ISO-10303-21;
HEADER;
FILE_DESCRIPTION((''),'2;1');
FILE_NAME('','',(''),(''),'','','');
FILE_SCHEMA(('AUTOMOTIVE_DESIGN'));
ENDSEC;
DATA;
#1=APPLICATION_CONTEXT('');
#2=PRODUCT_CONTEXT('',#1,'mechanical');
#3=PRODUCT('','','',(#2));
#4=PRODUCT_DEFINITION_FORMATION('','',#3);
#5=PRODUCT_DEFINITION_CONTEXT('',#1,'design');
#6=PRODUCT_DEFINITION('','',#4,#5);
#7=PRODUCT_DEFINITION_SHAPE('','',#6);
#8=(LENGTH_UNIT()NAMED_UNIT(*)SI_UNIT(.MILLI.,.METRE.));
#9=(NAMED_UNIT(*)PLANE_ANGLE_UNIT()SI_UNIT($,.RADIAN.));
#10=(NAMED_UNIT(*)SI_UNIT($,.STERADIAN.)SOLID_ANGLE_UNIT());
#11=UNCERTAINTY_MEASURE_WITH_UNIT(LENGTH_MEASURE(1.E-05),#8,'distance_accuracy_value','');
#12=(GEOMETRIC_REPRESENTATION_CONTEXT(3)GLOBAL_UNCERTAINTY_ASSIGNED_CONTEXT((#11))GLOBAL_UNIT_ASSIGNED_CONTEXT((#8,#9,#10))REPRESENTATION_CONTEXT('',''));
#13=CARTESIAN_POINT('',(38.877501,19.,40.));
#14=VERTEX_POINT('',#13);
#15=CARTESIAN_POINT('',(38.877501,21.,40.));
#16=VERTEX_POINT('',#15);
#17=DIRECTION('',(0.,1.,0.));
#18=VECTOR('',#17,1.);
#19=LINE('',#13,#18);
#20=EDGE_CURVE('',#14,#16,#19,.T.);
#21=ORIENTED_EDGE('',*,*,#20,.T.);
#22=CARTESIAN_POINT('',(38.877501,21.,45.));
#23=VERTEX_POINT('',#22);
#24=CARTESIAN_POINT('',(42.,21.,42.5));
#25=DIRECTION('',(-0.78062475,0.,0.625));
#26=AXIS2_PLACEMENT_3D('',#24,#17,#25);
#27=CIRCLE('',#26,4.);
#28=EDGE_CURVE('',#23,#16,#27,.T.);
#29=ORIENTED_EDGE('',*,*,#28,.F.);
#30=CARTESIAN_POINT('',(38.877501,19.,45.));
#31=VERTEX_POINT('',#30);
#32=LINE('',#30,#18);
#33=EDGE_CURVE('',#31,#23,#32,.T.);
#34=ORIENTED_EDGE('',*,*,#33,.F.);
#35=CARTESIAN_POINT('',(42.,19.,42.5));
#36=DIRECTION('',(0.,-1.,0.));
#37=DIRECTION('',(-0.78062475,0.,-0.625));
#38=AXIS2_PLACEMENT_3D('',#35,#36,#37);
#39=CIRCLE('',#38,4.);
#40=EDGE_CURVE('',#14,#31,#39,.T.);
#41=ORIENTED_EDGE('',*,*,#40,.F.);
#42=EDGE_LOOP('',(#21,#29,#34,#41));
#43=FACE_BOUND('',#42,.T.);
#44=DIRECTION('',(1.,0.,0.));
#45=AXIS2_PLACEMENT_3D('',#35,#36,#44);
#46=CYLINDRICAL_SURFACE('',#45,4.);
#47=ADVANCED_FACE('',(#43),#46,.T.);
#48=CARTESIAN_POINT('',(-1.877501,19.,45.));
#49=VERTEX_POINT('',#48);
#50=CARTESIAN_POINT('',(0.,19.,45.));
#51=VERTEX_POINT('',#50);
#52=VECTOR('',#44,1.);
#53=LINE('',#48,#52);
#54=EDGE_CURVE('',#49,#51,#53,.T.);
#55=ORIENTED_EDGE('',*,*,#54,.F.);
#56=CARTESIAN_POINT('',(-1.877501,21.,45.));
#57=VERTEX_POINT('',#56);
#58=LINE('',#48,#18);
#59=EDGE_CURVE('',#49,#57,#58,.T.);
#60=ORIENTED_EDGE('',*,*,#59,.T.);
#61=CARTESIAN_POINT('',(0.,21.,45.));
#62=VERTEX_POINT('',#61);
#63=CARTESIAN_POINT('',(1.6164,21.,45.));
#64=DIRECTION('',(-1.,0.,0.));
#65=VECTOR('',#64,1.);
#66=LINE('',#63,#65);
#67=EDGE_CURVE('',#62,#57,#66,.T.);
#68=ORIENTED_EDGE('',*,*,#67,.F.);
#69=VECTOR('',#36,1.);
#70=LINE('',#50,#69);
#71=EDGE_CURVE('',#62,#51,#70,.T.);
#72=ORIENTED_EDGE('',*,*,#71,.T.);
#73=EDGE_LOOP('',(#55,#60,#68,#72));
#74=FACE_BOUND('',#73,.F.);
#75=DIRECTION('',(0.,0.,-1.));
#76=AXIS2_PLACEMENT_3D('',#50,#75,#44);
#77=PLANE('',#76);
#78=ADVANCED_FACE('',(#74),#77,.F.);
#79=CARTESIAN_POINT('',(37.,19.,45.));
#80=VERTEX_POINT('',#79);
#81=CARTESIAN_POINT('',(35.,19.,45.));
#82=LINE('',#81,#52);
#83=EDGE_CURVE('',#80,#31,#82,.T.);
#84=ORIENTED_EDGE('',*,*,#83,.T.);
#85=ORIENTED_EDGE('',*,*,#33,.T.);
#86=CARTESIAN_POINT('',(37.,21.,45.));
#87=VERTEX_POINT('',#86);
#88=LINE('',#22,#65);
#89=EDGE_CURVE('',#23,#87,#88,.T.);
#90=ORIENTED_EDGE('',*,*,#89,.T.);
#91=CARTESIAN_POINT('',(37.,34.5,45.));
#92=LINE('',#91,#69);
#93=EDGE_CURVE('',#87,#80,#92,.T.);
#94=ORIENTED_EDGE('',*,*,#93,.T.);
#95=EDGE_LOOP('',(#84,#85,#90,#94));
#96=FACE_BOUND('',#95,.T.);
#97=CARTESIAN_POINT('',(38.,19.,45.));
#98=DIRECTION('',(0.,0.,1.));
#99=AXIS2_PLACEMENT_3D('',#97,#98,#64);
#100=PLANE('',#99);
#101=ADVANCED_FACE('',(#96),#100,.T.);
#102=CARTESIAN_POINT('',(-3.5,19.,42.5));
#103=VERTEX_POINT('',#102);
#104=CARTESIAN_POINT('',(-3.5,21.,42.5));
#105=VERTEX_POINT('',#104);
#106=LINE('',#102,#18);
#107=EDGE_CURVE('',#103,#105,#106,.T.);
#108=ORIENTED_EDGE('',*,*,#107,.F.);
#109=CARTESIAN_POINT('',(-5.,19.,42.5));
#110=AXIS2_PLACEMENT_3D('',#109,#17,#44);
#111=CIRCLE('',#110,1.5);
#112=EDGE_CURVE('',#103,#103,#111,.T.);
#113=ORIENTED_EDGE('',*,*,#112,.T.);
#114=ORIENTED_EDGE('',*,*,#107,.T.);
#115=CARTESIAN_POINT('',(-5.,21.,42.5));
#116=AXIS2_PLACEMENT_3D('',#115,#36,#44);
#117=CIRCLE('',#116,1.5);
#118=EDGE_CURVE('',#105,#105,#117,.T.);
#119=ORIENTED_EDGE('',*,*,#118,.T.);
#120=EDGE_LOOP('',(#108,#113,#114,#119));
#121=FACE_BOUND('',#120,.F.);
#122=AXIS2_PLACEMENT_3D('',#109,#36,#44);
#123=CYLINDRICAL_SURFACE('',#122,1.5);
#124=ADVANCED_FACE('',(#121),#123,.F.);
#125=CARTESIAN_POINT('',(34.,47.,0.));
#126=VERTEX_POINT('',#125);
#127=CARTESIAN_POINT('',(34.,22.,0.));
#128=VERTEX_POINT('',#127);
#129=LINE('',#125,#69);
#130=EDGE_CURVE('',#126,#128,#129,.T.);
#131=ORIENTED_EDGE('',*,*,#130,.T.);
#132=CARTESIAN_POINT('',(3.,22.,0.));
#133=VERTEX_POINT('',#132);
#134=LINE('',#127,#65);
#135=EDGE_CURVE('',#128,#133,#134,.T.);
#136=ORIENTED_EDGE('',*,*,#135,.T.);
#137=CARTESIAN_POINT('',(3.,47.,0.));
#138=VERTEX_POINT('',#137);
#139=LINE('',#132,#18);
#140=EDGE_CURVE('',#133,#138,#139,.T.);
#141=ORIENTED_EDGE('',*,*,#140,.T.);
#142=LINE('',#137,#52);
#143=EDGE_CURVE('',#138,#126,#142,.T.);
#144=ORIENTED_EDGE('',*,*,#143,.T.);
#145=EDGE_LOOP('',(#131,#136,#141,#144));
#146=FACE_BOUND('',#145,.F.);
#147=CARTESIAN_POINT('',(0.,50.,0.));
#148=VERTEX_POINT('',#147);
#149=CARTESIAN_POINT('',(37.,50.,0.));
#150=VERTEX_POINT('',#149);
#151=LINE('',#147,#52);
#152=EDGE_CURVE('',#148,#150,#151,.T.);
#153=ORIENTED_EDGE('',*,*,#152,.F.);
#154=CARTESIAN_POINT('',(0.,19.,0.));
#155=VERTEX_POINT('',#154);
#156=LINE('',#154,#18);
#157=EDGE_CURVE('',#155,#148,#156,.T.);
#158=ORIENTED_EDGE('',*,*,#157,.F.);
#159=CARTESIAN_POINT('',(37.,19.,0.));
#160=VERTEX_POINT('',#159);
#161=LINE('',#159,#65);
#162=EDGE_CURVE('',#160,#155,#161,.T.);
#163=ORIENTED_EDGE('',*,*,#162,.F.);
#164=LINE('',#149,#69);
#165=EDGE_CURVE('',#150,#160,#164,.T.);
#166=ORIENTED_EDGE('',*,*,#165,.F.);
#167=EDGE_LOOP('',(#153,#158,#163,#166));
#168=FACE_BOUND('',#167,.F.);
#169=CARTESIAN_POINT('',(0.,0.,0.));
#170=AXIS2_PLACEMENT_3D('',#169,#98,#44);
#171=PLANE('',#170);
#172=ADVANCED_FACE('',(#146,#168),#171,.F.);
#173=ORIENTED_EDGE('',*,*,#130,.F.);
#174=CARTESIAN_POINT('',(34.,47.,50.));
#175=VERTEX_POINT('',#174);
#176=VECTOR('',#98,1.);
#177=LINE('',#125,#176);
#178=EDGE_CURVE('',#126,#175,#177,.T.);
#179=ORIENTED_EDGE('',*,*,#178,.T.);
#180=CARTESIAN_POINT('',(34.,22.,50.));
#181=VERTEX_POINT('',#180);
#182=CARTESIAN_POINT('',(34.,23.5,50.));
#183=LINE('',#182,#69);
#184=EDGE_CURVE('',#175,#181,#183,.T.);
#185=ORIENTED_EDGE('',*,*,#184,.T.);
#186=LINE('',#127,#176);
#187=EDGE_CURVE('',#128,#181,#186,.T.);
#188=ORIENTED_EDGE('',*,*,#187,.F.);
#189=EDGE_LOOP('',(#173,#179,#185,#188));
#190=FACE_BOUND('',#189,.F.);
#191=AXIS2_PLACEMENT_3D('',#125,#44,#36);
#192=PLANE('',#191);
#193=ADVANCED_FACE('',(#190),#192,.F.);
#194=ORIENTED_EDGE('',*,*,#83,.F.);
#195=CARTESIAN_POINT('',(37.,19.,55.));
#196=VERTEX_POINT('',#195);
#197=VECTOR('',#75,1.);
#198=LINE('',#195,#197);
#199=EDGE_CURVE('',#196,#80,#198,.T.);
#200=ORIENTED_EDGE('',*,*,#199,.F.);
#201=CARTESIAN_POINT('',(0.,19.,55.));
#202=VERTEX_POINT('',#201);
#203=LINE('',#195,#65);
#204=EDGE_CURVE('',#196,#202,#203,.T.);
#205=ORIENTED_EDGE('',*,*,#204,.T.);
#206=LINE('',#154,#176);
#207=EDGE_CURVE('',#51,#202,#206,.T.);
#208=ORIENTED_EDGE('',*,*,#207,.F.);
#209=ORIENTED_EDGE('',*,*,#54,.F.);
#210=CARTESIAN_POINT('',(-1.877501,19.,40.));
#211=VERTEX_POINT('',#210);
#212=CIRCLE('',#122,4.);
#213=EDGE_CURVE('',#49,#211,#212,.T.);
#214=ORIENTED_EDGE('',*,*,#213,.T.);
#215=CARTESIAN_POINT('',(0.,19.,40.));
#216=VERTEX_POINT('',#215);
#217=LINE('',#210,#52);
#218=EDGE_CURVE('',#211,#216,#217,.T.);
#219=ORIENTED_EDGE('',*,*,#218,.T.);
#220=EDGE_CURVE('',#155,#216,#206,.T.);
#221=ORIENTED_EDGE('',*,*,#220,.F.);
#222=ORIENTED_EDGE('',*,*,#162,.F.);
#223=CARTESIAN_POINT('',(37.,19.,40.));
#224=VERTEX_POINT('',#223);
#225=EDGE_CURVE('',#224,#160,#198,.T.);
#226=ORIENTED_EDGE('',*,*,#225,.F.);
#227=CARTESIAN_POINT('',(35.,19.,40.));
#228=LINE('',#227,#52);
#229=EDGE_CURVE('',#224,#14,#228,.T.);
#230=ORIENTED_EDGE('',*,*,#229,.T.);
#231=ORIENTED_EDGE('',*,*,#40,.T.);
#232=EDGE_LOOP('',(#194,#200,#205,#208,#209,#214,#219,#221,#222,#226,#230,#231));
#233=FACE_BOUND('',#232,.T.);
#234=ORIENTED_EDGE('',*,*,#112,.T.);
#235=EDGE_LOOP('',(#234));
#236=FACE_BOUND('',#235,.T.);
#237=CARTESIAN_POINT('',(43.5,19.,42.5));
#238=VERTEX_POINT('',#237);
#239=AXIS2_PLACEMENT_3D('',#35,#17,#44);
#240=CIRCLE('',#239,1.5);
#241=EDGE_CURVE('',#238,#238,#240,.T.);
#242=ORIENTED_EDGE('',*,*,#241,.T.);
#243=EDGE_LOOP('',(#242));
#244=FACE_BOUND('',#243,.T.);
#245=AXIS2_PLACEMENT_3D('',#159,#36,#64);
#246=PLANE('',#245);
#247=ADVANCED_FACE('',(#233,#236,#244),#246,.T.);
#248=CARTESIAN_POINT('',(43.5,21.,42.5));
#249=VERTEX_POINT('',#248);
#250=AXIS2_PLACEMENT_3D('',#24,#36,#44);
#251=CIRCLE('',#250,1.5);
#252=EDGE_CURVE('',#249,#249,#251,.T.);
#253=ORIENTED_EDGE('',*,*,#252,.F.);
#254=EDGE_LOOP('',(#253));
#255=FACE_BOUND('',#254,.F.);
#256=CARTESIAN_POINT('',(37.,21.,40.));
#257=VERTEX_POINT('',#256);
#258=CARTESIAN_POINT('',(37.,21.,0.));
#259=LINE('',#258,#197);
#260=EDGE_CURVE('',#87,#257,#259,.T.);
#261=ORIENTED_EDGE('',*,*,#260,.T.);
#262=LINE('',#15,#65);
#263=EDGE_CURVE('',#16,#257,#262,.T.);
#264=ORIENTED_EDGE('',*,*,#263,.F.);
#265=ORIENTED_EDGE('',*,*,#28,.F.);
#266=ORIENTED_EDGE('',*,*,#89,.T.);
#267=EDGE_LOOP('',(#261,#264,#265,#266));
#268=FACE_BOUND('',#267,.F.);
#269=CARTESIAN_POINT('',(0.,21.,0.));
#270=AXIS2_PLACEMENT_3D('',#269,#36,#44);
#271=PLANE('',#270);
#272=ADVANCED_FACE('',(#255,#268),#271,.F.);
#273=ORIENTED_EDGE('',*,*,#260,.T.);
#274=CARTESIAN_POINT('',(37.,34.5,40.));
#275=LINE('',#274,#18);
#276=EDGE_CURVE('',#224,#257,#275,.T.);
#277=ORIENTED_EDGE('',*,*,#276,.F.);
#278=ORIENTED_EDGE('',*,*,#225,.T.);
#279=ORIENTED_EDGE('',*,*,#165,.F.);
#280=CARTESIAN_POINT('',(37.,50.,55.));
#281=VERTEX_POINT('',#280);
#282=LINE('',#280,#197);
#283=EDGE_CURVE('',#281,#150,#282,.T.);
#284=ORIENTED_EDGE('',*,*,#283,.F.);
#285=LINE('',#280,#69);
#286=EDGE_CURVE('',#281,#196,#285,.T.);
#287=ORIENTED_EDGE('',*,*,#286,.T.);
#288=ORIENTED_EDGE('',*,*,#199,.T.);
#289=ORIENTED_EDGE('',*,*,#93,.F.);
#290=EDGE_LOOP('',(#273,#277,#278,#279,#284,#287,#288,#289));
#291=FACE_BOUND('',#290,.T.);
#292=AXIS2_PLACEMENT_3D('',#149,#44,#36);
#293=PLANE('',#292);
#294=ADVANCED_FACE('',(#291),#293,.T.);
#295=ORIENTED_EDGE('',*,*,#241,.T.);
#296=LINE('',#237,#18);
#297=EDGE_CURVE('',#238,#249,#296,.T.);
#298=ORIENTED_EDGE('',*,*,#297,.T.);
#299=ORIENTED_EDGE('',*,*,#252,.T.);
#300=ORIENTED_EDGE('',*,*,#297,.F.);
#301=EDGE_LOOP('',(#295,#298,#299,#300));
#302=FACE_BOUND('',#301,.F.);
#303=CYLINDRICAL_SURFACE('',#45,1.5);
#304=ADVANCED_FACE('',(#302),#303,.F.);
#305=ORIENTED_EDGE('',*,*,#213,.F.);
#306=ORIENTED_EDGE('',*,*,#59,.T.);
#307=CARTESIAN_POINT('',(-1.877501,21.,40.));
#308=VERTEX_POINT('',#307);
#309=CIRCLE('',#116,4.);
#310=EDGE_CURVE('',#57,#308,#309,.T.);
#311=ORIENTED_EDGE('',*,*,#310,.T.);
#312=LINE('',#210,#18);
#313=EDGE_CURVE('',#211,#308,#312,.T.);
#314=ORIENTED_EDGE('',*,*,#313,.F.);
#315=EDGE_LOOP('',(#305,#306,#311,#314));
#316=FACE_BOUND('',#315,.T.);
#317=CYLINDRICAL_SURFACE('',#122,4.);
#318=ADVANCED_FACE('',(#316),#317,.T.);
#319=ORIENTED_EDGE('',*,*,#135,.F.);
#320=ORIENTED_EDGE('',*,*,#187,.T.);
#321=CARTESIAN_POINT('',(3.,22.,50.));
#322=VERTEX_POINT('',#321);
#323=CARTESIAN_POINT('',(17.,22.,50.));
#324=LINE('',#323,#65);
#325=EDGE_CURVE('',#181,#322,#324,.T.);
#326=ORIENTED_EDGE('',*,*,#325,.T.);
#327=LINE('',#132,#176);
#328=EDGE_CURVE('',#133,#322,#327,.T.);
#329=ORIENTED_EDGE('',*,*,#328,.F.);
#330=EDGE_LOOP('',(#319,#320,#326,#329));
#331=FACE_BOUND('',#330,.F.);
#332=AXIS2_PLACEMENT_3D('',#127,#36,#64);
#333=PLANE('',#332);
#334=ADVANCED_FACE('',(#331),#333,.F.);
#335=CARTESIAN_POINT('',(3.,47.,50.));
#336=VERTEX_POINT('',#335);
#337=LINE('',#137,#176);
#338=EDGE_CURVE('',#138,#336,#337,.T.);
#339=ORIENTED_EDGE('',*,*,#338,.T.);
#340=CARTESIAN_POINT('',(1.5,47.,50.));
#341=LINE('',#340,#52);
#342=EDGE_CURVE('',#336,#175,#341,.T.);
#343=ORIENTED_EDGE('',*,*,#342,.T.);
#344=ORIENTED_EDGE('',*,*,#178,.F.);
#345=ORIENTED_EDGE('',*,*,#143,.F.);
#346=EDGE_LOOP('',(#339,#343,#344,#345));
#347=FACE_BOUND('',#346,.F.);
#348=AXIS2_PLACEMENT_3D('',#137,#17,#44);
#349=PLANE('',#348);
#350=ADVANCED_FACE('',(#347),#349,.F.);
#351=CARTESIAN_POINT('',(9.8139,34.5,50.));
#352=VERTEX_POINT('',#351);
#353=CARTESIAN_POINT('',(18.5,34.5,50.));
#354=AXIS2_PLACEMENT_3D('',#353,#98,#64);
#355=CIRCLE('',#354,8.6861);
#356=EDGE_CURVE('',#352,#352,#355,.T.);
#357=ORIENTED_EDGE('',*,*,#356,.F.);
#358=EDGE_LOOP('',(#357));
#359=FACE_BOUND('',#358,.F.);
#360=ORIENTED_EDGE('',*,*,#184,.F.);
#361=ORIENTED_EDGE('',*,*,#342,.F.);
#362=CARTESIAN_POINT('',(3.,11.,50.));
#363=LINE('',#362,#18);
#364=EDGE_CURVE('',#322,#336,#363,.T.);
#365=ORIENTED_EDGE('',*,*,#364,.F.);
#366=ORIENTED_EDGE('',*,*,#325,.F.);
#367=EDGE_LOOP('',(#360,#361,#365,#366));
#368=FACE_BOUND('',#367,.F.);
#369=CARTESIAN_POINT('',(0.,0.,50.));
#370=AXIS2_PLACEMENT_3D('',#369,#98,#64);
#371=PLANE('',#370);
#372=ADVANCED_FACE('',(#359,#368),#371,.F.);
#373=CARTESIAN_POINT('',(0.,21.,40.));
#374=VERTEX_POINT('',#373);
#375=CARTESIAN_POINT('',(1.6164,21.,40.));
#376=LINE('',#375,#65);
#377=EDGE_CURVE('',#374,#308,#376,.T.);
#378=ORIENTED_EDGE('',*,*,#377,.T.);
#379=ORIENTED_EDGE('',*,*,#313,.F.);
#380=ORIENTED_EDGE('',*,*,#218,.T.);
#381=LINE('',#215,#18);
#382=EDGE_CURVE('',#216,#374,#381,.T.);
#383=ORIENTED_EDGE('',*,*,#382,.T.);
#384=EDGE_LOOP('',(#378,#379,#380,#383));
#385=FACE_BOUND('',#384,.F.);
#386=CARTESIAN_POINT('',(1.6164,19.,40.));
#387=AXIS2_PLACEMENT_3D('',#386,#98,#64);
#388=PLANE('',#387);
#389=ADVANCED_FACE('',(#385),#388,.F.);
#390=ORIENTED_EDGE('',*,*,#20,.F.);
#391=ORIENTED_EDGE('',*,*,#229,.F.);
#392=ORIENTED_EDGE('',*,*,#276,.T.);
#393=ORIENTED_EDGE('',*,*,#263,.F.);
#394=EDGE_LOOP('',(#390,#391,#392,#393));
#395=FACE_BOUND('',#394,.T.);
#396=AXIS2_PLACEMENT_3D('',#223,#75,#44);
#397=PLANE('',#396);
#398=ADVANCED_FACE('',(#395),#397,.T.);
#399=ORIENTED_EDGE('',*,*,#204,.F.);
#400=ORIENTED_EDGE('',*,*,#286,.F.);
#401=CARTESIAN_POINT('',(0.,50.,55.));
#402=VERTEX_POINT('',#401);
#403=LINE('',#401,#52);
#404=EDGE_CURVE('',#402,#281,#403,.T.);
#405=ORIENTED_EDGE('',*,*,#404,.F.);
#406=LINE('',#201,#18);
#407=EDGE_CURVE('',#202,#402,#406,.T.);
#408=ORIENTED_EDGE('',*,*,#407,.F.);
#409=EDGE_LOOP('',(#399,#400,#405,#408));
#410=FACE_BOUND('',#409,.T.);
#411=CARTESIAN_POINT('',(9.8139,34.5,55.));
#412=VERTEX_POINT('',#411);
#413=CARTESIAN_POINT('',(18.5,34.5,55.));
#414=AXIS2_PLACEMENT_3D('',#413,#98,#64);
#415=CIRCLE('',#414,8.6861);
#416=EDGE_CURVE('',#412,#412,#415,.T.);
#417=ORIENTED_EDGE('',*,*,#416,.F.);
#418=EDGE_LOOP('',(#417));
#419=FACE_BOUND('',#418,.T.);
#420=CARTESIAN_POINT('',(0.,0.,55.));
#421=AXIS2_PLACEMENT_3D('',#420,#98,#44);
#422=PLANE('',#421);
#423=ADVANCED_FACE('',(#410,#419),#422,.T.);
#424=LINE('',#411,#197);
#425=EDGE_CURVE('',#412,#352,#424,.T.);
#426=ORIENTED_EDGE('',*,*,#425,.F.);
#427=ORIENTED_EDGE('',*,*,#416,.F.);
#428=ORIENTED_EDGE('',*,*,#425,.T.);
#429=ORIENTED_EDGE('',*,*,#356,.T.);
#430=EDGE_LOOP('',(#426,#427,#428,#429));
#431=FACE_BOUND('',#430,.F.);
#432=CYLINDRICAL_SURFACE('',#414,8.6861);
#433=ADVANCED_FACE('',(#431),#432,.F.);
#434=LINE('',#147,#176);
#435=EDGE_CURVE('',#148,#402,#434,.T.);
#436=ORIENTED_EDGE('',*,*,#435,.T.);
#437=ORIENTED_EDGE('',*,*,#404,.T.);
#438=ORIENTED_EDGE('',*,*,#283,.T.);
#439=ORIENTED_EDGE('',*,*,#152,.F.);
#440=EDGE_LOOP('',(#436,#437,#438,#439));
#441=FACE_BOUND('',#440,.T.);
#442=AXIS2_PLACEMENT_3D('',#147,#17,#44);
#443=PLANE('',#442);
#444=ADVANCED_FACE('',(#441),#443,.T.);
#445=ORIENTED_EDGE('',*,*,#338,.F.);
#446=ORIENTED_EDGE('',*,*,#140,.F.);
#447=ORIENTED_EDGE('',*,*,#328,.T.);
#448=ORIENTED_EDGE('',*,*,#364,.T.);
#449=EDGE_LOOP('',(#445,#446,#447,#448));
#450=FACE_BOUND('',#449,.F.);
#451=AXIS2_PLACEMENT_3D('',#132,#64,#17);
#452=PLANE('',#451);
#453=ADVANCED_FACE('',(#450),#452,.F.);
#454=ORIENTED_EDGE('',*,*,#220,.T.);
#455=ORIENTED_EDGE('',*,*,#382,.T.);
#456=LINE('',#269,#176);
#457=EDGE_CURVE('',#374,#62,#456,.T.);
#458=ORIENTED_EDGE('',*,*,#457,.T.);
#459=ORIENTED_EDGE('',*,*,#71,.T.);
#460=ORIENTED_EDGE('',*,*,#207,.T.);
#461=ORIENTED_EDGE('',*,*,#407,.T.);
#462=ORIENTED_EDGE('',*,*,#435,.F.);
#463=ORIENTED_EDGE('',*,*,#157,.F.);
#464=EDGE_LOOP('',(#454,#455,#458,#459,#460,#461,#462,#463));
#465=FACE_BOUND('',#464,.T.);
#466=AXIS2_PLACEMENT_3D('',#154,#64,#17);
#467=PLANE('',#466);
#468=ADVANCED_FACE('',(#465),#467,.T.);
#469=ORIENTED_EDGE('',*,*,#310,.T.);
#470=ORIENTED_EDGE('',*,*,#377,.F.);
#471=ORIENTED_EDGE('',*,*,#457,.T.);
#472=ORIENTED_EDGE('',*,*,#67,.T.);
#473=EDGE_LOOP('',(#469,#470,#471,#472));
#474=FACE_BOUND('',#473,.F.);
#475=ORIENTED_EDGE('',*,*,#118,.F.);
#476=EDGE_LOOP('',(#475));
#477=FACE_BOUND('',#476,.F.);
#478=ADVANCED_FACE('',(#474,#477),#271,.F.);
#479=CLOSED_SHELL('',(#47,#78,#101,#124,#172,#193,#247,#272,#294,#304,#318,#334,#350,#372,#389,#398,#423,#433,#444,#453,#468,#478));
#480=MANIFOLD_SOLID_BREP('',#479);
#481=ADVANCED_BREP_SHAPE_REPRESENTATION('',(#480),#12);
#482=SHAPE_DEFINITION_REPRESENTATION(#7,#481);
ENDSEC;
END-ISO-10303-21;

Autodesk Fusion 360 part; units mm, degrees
sketch "Sketch1" plane through (0, 0, 0) normal (0, 0, 1) x (1, 0, 0)
  line L0 (0, 50) -> (37, 50)
  line L1 (37, 50) -> (37, 19)
  line L2 (37, 19) -> (0, 19)
  line L3 (0, 19) -> (0, 50)
  line L4 (3, 22) -> (3, 47)
  line L5 (3, 47) -> (34, 47)
  line L6 (34, 47) -> (34, 22)
  line L7 (34, 22) -> (3, 22)
  dimension "d1" = 37
  dimension "d2" = 31
  dimension "d3" = 3
extrude "Extrude1" add sketch "Sketch1" along normal blind 55
sketch "Sketch2" plane through (0, 0, 55) normal (0, 0, 1) x (-1, 0, 0)
  line L0 (-34, -47) -> (-34, -22)
  line L1 (-34, -22) -> (-3, -22)
  line L2 (-3, -22) -> (-3, -47)
  line L3 (-3, -47) -> (-34, -47)
  line L4 (0, -19) -> (-37, -19)
  line L5 (-37, -19) -> (-37, -50)
  line L6 (-37, -50) -> (0, -50)
  line L7 (0, -50) -> (0, -19)
  line L8 (0, -50) -> (-37, -50)
  line L9 (-37, -50) -> (-37, -19)
  line L10 (-37, -19) -> (0, -19)
  line L11 (0, -19) -> (0, -50)
  circle A0 centre (-18.5, -34.5) radius 8.6861
extrude "Extrude2" add sketch "Sketch2" against normal blind 5 contours L0 L1 L2 L3 | L4 L5 L6 L7 L8 L9 L10 L11
sketch "Sketch3" plane through (0, 19, 0) normal (0, -1, 0) x (1, 0, 0)
  line L0 (0, 55) -> (0, 0)
  line L1 (0, 0) -> (37, 0)
  line L2 (37, 0) -> (37, 55)
  line L3 (37, 55) -> (0, 55)
  line L4 (0, 40) -> (-5, 40)
  line L5 (-5, 40) -> (-5, 45)
  line L6 (-5, 45) -> (0, 45)
  line L7 (0, 45) -> (0, 40)
  line L8 (37, 40) -> (42, 40)
  line L9 (42, 40) -> (42, 45)
  line L10 (42, 45) -> (37, 45)
  circle A0 centre (-5, 42.5) radius 1.5
  circle A1 centre (-5, 42.5) radius 4
  circle A2 centre (42, 42.5) radius 1.5
  circle A3 centre (42, 42.5) radius 4
  line L11 (35, 40) -> (38, 40)
  line L12 (38, 40) -> (38, 45)
  line L13 (38, 45) -> (35, 45)
  line L14 (1.6164, 40) -> (-1, 40)
  line L15 (-1, 40) -> (-1, 45)
  line L16 (-1, 45) -> (1.6164, 45)
  line L17 (35, 40) -> (35, 45)
  line L18 (1.6164, 40) -> (1.6164, 45)
  dimension "d9" = 5
  dimension "d10" = 3
  dimension "d11" = 2.5
  dimension "d12" = 3
  dimension "d13" = 2.5
extrude "Extrude3" add sketch "Sketch3" against normal blind 2 contours L0 L7 L14 L16 L18 | L0 L4 L6 L7 L14 L15 L16 | L6 A1 L15 | L2 L8 L10 L11 L12 L13 | L2 L11 L13 L17 | L4 A1 L15 | L4 L5 L6 A0 A1 | L4 L5 L6 A0 A1 | L10 A3 L12 | L8 A3 L12 | L8 L9 L10 A2 A3 | L8 L9 L10 A2 A3
